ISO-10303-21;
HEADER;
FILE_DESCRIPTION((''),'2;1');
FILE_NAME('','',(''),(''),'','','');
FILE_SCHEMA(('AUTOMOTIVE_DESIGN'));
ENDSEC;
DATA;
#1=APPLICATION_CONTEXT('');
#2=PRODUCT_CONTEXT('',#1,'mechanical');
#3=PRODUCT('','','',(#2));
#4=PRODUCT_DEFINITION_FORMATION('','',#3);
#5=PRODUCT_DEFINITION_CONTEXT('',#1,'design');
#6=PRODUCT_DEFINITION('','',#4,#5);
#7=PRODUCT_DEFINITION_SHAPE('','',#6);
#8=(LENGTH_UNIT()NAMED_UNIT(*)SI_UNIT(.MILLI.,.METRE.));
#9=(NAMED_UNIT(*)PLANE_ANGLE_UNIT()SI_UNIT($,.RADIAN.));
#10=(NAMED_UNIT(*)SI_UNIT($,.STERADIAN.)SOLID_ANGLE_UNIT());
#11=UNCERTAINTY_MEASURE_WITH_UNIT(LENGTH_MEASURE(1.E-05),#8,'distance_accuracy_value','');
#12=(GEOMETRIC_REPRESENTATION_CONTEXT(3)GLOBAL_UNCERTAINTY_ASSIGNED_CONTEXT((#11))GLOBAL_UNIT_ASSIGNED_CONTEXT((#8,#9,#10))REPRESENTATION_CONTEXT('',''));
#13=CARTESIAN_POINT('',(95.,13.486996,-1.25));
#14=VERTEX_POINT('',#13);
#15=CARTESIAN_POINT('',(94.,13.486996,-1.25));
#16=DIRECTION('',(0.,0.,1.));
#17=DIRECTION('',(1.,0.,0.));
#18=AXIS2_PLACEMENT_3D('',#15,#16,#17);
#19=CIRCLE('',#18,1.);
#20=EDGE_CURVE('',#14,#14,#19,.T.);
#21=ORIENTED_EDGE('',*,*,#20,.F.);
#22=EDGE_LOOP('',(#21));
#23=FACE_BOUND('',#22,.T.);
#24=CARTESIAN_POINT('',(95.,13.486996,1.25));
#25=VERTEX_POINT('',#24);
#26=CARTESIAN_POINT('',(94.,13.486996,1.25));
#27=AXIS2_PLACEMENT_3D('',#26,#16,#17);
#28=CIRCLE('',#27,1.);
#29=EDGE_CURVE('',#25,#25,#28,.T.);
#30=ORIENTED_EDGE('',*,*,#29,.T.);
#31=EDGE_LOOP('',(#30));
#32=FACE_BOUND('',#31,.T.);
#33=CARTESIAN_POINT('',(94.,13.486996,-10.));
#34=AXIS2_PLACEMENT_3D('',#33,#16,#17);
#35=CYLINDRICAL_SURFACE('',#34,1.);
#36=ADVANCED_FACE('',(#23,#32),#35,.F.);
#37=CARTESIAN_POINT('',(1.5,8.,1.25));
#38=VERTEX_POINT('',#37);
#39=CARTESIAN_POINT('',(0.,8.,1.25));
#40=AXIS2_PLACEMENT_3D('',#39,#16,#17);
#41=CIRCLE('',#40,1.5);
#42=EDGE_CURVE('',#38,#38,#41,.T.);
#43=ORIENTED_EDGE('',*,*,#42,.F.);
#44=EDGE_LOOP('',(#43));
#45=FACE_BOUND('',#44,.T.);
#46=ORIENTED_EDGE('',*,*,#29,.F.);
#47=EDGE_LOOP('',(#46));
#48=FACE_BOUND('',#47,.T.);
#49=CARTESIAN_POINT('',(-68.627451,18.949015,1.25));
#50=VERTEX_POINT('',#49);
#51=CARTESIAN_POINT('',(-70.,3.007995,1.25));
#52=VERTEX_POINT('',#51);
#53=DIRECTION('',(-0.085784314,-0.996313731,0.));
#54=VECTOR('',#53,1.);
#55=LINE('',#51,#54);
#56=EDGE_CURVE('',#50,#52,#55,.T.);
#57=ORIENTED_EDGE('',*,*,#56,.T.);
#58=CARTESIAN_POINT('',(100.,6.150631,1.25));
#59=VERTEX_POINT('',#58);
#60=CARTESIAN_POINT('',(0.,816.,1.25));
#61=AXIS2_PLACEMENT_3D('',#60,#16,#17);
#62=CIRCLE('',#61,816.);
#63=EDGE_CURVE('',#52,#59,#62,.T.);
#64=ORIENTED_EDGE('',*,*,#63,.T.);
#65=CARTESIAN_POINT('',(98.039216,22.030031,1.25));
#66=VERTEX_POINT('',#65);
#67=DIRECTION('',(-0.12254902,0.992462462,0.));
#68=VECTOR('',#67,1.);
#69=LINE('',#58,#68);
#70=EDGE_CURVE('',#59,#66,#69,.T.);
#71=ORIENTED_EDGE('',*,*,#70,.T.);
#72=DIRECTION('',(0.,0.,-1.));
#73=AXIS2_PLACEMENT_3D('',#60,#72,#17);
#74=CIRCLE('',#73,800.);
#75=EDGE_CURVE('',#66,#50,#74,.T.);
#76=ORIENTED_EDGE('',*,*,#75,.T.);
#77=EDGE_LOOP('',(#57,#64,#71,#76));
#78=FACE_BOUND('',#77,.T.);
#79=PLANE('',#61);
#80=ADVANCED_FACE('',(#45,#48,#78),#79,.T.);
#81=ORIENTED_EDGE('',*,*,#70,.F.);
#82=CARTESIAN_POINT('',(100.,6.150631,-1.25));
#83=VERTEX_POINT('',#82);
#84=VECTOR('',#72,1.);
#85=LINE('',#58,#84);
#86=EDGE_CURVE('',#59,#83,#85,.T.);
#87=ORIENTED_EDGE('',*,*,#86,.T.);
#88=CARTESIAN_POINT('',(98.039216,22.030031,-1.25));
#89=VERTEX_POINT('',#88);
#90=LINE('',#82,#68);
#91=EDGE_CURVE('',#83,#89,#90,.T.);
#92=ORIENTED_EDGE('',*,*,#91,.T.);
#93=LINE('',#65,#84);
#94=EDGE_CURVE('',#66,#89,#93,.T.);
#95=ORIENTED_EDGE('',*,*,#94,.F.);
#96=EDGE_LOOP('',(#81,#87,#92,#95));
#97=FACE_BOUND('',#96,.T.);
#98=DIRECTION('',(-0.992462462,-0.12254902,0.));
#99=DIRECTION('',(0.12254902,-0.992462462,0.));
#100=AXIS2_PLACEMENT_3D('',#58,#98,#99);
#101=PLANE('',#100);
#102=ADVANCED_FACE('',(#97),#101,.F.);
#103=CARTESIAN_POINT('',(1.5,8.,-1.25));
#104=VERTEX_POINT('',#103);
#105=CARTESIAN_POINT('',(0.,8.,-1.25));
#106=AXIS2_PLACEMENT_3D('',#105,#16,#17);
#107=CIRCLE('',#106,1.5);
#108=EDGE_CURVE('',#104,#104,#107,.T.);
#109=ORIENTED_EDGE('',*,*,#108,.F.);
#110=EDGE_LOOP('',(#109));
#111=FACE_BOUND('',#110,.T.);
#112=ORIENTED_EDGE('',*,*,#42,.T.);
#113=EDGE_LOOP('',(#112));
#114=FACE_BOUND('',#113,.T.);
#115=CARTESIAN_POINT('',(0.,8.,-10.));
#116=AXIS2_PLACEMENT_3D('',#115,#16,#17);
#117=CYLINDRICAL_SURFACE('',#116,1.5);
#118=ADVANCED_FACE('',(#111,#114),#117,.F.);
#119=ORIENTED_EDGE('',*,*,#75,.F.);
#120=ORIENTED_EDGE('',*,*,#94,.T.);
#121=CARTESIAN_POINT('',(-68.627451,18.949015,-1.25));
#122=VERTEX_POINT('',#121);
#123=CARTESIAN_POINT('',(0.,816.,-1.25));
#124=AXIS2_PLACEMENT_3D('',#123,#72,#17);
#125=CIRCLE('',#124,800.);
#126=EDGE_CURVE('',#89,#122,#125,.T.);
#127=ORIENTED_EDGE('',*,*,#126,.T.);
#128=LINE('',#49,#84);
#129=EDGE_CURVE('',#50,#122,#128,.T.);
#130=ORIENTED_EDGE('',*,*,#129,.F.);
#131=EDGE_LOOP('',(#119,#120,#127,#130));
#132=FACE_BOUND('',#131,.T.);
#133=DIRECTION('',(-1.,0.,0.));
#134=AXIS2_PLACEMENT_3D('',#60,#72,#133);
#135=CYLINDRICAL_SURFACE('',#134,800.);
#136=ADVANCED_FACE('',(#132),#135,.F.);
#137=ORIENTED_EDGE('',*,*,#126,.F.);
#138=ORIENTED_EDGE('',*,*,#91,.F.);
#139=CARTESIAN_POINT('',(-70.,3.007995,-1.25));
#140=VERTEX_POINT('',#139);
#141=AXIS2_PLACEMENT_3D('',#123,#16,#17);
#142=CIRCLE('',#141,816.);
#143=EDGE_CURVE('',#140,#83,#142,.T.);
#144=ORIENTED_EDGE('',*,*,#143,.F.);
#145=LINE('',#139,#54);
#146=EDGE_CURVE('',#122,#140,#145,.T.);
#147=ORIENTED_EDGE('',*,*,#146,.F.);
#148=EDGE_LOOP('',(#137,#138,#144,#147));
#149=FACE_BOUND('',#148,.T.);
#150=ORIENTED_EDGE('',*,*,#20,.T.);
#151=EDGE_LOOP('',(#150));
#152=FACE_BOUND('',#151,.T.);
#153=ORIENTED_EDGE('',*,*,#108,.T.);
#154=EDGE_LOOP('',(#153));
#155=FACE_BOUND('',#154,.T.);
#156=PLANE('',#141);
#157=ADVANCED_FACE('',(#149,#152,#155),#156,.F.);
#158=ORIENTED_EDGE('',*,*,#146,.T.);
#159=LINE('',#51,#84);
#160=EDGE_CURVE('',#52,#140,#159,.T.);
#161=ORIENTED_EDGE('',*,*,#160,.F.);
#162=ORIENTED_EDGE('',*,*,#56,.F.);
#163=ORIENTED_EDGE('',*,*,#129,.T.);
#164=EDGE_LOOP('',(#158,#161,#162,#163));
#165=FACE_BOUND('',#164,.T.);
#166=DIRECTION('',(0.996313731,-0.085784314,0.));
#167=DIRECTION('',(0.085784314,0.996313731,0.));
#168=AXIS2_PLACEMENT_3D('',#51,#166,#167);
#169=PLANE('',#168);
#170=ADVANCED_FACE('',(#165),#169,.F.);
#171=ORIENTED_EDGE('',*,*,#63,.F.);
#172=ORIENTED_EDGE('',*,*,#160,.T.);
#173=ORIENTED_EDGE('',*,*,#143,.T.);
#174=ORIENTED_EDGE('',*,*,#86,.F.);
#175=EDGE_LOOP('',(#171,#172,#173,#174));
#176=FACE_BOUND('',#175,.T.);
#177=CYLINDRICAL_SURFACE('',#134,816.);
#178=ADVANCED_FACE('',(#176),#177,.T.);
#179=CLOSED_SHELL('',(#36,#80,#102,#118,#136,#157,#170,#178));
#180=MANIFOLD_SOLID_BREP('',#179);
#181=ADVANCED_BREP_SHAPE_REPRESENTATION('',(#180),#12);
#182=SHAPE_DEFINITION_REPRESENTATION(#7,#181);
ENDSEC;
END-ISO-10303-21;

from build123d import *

# Parameters (mm, degrees)
BOSS_EXTRUDE1_DEPTH = 1.25
SKETCH2_R           = 1.5
CUT_EXTRUDE1_DEPTH  = 10
SKETCH3_R           = 1
CUT_EXTRUDE2_DEPTH  = 10


with BuildPart() as part:
    # Sketch1 → Boss-Extrude1 (new, symmetric)
    with BuildSketch(Plane.XY):
        with BuildLine():
            Line((100, 6.15063129), (98.039215686, 22.030030676))
            ThreePointArc((98.039215686, 22.030030676), (14.786349801, 16.13665926), (-68.62745098, 18.949014823))
            Line((-68.62745098, 18.949014823), (-70, 3.007995119))
            ThreePointArc((-70, 3.007995119), (15.082076797, 0.139392445), (100, 6.15063129))
        make_face()
    extrude(amount=BOSS_EXTRUDE1_DEPTH, both=True)

    # Sketch2 → Cut-Extrude1 (cut, symmetric)
    with BuildSketch(Plane.XY):
        with Locations((0, 8)):
            Circle(SKETCH2_R)
    extrude(amount=CUT_EXTRUDE1_DEPTH, both=True, mode=Mode.SUBTRACT)

    # Sketch3 → Cut-Extrude2 (cut, symmetric)
    with BuildSketch(Plane.XY):
        with Locations((94, 13.486995845)):
            Circle(SKETCH3_R)
    extrude(amount=CUT_EXTRUDE2_DEPTH, both=True, mode=Mode.SUBTRACT)


solid = part.part
